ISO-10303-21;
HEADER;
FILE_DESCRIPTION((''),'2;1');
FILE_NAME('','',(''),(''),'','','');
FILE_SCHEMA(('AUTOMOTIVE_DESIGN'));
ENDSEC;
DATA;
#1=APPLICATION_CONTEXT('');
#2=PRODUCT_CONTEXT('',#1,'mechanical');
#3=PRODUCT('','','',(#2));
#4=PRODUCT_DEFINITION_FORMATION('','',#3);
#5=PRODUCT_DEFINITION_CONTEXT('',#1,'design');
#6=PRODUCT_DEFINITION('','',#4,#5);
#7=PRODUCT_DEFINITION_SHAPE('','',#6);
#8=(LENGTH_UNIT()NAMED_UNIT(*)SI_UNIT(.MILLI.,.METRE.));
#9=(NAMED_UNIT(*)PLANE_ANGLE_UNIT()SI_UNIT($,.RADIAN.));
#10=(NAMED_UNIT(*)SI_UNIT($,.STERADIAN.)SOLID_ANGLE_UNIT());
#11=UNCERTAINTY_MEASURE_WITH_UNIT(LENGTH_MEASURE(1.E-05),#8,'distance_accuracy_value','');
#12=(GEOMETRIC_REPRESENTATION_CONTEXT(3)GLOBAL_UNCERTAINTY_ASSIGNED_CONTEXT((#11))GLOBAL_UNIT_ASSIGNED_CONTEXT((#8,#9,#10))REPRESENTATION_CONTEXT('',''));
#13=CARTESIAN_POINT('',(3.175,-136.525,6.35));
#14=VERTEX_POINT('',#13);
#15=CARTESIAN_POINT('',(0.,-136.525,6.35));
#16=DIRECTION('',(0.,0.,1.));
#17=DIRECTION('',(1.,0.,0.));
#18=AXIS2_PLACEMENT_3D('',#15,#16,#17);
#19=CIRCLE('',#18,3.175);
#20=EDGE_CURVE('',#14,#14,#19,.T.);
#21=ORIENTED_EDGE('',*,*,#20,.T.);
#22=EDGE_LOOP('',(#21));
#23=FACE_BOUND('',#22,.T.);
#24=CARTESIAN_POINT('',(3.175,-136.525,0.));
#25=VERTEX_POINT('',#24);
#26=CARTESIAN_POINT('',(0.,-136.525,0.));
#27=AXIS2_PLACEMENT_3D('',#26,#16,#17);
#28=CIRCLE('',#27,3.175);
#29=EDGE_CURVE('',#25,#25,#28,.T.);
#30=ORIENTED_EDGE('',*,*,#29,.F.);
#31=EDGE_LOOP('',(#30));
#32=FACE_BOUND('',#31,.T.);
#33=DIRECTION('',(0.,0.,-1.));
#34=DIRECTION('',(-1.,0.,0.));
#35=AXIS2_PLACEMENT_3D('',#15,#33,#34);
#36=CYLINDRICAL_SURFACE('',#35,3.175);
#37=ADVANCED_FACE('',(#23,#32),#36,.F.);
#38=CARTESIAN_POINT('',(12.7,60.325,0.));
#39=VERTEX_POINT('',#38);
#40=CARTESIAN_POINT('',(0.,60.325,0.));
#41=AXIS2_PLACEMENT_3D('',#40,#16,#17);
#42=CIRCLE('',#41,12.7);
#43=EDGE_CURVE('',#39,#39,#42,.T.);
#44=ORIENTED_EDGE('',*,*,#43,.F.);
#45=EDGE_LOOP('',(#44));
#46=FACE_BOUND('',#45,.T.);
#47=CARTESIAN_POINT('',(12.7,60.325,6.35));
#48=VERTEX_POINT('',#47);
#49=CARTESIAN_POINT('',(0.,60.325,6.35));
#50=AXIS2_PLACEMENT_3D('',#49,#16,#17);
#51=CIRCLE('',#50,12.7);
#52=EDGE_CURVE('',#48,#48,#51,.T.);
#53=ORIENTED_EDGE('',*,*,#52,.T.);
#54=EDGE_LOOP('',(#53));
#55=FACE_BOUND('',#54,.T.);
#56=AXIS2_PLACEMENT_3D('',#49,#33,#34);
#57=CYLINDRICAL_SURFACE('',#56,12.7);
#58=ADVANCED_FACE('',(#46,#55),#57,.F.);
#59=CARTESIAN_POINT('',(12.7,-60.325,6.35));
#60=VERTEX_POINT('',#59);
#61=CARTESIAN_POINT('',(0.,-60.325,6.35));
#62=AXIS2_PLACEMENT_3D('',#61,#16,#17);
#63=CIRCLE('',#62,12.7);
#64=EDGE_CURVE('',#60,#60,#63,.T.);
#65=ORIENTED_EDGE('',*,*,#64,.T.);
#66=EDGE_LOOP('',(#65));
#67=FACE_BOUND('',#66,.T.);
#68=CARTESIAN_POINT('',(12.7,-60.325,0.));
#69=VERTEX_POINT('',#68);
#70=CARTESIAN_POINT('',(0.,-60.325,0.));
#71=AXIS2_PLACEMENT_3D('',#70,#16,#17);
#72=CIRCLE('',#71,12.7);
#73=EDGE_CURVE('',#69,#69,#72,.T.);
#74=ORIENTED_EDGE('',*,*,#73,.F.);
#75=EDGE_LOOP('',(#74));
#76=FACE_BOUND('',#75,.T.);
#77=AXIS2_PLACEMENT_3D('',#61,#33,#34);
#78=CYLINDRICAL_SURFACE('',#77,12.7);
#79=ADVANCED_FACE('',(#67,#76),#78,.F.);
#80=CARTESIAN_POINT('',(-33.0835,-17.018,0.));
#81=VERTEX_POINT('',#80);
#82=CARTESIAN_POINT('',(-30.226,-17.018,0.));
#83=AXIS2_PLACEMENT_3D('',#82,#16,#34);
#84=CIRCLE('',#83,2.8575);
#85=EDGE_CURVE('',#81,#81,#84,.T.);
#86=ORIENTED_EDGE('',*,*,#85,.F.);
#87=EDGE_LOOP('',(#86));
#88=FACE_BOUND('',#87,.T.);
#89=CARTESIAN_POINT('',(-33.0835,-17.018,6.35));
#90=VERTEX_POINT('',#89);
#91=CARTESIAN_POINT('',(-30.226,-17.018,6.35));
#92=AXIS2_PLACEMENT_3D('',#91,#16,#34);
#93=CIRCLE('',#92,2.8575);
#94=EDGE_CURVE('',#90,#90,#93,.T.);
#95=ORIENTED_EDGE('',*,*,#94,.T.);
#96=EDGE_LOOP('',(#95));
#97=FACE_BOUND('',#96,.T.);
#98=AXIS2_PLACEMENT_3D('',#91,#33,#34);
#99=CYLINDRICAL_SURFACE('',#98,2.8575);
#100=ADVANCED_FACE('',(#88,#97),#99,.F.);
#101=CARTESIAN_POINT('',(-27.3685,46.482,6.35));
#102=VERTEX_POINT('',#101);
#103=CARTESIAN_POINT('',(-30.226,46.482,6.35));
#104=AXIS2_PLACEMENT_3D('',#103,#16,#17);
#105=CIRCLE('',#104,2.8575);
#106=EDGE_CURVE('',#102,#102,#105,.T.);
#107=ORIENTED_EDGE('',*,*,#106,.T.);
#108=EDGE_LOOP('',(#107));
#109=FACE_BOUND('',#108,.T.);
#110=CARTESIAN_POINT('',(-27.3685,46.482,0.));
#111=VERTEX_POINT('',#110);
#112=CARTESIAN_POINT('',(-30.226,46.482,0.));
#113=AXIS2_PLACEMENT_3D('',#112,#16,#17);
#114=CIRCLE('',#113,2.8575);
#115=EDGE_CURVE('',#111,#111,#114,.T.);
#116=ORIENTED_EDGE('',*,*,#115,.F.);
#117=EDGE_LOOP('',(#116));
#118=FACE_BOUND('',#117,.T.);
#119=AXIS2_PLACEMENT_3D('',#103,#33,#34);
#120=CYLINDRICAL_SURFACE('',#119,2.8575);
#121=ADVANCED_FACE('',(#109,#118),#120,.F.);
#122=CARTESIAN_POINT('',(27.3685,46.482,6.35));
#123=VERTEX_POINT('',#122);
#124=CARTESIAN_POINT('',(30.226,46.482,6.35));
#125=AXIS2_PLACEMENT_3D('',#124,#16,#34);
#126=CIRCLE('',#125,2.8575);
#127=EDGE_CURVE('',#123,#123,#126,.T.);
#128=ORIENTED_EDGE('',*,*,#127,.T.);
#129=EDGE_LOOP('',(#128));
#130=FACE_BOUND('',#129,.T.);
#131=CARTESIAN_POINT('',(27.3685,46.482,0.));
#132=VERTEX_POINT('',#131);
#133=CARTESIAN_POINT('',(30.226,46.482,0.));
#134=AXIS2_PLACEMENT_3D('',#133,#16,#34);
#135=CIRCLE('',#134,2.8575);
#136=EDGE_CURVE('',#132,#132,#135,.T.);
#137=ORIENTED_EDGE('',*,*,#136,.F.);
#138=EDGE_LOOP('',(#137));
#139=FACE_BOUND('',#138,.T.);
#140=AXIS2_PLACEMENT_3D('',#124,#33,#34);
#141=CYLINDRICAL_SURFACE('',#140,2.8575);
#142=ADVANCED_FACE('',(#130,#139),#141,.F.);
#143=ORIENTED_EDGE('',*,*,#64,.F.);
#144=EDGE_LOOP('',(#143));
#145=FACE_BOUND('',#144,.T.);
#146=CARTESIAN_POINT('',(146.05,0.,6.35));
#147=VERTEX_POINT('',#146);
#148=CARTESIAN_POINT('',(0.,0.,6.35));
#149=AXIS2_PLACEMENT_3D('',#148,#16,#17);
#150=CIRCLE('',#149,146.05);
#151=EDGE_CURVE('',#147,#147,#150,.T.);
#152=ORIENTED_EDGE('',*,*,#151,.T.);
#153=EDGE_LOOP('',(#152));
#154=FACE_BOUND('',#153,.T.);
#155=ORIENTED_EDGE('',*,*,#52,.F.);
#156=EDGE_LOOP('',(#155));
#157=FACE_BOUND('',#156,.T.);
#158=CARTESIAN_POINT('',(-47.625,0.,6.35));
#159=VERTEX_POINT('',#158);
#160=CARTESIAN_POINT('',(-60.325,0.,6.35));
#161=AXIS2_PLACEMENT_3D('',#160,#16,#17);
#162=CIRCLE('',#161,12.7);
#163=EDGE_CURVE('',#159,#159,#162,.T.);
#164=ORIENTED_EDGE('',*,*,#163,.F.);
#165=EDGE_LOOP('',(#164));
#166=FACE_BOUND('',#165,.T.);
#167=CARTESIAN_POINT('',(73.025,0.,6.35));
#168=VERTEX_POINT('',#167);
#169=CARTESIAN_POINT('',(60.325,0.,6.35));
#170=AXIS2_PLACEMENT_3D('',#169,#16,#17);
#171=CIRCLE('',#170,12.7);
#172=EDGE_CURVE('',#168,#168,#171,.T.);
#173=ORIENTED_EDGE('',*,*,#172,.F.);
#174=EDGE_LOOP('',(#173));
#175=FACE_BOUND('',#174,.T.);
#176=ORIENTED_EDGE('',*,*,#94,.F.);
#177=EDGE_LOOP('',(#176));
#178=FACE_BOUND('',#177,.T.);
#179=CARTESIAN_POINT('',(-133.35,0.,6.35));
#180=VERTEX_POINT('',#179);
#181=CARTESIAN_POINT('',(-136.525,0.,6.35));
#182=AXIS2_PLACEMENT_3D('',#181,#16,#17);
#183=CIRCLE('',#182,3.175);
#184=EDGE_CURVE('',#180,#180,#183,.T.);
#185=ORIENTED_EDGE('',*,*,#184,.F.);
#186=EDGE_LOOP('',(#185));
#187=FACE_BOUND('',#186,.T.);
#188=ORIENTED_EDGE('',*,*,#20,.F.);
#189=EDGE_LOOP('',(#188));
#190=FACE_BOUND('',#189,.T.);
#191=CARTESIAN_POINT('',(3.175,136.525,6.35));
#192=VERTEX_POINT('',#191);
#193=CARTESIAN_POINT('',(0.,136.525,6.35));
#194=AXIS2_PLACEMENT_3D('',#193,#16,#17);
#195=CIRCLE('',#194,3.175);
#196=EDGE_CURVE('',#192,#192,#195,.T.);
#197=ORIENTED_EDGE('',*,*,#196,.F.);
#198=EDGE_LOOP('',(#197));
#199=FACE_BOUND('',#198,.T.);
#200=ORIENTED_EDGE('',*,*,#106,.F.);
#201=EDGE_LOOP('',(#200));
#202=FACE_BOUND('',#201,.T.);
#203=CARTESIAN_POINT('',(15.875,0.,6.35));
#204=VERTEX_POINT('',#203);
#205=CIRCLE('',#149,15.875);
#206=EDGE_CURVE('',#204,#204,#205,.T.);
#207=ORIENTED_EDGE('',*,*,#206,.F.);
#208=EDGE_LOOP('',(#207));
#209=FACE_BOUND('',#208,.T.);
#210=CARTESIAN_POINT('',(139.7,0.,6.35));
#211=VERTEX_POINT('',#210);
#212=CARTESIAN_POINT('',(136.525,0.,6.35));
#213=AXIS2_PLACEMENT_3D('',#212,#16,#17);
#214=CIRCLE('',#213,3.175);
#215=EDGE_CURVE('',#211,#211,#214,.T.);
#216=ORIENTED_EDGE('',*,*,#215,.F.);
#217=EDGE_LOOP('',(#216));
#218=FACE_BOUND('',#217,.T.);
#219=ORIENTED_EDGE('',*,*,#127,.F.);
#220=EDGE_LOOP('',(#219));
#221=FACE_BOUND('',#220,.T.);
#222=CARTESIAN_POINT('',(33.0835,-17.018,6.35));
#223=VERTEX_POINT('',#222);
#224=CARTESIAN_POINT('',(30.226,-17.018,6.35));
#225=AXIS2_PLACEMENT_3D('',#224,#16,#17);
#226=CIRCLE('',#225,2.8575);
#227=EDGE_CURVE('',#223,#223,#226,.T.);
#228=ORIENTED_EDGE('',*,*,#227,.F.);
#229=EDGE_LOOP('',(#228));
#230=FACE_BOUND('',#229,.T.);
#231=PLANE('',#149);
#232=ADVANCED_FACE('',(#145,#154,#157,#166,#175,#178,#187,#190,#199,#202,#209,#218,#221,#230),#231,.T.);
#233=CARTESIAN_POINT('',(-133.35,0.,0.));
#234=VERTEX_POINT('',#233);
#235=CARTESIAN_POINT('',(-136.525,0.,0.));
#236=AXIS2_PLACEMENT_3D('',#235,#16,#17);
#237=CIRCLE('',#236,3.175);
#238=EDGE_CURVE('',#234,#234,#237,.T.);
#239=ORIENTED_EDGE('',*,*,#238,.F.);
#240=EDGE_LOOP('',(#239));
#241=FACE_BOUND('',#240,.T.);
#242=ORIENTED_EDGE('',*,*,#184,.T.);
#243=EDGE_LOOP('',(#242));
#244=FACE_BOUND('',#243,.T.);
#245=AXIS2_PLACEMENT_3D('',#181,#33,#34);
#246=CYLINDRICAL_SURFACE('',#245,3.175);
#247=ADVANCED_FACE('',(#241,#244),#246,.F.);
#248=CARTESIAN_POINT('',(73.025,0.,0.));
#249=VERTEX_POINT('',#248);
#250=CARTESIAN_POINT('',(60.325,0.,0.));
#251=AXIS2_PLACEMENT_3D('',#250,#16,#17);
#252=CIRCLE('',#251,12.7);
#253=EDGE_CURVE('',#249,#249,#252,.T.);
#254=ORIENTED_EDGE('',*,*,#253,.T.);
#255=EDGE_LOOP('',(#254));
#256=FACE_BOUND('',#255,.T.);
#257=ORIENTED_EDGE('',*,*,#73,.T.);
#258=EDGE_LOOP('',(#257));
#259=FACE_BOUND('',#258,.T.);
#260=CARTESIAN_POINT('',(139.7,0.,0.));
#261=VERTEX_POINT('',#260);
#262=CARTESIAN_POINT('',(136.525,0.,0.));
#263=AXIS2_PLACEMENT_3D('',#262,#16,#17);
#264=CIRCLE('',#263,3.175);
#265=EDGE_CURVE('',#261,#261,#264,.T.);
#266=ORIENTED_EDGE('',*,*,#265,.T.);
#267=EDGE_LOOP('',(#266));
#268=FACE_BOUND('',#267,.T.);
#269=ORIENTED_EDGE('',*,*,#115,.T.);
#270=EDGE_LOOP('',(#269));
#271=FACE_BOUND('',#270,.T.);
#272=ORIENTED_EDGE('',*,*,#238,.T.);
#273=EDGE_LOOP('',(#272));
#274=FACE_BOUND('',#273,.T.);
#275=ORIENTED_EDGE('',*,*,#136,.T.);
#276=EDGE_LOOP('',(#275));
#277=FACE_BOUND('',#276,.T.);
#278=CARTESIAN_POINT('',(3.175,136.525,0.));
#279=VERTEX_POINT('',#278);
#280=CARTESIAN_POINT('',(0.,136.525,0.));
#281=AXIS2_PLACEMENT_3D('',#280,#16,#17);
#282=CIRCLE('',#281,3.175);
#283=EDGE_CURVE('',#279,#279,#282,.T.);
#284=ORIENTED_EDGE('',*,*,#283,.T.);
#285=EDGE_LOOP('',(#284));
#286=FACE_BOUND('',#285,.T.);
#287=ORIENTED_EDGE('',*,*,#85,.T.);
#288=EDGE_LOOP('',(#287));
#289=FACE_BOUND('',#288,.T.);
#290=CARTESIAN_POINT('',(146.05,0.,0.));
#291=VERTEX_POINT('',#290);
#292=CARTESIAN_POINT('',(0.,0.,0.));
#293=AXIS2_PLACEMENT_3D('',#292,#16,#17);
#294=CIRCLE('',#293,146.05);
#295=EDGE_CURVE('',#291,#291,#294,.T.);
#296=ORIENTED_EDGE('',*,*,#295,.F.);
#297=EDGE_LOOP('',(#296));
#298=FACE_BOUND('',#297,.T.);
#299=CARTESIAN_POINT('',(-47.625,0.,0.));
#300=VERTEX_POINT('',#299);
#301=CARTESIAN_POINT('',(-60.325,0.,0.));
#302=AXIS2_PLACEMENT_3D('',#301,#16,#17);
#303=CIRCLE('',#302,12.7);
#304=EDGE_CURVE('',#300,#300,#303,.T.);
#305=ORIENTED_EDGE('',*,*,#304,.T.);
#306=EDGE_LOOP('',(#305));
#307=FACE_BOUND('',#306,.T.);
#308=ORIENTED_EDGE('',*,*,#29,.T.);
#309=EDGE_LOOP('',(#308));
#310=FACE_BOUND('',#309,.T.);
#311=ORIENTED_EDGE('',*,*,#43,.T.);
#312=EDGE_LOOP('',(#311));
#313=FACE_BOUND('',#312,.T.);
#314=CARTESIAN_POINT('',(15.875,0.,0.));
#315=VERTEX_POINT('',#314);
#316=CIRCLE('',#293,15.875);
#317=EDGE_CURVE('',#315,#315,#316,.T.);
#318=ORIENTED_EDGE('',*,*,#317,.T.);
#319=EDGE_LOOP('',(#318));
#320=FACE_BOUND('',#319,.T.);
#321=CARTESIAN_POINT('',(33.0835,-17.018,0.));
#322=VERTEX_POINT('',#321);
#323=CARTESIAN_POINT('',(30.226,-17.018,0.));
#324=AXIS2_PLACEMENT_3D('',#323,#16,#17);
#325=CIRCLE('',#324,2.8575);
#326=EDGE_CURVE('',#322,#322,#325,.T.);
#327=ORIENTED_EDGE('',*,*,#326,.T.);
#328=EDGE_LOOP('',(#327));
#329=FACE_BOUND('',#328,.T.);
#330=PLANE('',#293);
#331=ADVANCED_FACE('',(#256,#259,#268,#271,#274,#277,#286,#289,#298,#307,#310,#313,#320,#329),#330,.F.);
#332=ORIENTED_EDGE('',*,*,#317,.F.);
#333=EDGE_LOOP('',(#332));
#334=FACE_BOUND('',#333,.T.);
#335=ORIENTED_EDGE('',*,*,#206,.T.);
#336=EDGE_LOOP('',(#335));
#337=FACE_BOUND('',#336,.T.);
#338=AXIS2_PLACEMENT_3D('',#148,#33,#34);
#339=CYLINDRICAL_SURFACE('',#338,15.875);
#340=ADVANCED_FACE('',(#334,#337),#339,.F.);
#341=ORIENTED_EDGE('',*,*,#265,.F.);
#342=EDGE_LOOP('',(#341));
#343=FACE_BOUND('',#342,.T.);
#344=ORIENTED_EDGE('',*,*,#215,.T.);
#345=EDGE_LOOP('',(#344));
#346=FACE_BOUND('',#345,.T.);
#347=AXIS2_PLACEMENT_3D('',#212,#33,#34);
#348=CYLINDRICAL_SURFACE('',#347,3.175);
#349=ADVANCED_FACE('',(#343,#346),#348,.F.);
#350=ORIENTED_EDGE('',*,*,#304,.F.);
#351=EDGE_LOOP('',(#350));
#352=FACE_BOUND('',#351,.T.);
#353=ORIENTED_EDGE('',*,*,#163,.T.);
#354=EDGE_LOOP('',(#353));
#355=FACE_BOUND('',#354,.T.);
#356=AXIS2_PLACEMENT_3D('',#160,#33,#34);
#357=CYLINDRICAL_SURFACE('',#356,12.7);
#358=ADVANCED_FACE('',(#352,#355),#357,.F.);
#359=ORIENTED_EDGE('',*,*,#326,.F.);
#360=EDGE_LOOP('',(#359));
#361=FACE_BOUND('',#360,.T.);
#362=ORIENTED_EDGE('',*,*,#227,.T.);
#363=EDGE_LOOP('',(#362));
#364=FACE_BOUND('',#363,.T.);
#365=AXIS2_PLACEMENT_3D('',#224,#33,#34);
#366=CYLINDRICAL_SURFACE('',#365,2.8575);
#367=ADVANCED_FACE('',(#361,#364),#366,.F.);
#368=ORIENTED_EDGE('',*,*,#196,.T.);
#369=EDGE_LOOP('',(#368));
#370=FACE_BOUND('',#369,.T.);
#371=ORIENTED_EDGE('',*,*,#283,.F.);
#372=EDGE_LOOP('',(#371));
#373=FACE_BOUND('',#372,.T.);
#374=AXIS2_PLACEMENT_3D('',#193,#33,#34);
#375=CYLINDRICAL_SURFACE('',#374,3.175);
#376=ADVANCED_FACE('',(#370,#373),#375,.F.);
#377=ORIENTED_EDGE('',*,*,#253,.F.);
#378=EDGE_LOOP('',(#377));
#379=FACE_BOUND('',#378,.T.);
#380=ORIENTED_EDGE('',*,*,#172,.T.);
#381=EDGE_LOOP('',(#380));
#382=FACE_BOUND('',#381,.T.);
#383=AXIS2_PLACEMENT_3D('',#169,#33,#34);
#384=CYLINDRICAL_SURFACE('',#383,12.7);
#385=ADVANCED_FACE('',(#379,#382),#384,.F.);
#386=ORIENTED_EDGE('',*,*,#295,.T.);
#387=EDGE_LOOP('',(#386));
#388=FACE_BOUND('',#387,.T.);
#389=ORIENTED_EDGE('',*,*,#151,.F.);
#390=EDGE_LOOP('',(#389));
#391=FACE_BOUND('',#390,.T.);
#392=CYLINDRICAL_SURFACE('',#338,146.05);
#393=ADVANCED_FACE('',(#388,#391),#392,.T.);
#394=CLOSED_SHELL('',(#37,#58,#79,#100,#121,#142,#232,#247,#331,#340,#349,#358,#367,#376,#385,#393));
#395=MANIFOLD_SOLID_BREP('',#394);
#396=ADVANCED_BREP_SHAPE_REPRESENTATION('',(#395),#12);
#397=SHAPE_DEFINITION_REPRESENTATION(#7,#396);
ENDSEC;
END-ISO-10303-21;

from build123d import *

# Parameters (mm, degrees)
SKETCH1_R           = 146.05
SKETCH1_R_2         = 3.175
SKETCH1_R_3         = 2.8575
SKETCH1_R_4         = 15.875
SKETCH1_R_5         = 12.7
BOSS_EXTRUDE1_DEPTH = 6.35


with BuildPart() as part:
    # Sketch1 → Boss-Extrude1 (new body)
    with BuildSketch(Plane.XY):
        Circle(SKETCH1_R)
        with Locations((0, 136.525)):
            Circle(SKETCH1_R_2, mode=Mode.SUBTRACT)
        with Locations((136.525, 0)):
            Circle(SKETCH1_R_2, mode=Mode.SUBTRACT)
        with Locations((0, -136.525)):
            Circle(SKETCH1_R_2, mode=Mode.SUBTRACT)
        with Locations((-136.525, 0)):
            Circle(SKETCH1_R_2, mode=Mode.SUBTRACT)
        with Locations((-30.226, 46.482)):
            Circle(SKETCH1_R_3, mode=Mode.SUBTRACT)
        with Locations(Location((30.226, 46.482, 0), (0, 0, 180))):
            Circle(SKETCH1_R_3, mode=Mode.SUBTRACT)
        with Locations((30.226, -17.018)):
            Circle(SKETCH1_R_3, mode=Mode.SUBTRACT)
        with Locations(Location((-30.226, -17.018, 0), (0, 0, 180))):
            Circle(SKETCH1_R_3, mode=Mode.SUBTRACT)
        Circle(SKETCH1_R_4, mode=Mode.SUBTRACT)
        with Locations((0, 60.325)):
            Circle(SKETCH1_R_5, mode=Mode.SUBTRACT)
        with Locations((60.325, 0)):
            Circle(SKETCH1_R_5, mode=Mode.SUBTRACT)
        with Locations((0, -60.325)):
            Circle(SKETCH1_R_5, mode=Mode.SUBTRACT)
        with Locations((-60.325, 0)):
            Circle(SKETCH1_R_5, mode=Mode.SUBTRACT)
    extrude(amount=BOSS_EXTRUDE1_DEPTH)


solid = part.part
